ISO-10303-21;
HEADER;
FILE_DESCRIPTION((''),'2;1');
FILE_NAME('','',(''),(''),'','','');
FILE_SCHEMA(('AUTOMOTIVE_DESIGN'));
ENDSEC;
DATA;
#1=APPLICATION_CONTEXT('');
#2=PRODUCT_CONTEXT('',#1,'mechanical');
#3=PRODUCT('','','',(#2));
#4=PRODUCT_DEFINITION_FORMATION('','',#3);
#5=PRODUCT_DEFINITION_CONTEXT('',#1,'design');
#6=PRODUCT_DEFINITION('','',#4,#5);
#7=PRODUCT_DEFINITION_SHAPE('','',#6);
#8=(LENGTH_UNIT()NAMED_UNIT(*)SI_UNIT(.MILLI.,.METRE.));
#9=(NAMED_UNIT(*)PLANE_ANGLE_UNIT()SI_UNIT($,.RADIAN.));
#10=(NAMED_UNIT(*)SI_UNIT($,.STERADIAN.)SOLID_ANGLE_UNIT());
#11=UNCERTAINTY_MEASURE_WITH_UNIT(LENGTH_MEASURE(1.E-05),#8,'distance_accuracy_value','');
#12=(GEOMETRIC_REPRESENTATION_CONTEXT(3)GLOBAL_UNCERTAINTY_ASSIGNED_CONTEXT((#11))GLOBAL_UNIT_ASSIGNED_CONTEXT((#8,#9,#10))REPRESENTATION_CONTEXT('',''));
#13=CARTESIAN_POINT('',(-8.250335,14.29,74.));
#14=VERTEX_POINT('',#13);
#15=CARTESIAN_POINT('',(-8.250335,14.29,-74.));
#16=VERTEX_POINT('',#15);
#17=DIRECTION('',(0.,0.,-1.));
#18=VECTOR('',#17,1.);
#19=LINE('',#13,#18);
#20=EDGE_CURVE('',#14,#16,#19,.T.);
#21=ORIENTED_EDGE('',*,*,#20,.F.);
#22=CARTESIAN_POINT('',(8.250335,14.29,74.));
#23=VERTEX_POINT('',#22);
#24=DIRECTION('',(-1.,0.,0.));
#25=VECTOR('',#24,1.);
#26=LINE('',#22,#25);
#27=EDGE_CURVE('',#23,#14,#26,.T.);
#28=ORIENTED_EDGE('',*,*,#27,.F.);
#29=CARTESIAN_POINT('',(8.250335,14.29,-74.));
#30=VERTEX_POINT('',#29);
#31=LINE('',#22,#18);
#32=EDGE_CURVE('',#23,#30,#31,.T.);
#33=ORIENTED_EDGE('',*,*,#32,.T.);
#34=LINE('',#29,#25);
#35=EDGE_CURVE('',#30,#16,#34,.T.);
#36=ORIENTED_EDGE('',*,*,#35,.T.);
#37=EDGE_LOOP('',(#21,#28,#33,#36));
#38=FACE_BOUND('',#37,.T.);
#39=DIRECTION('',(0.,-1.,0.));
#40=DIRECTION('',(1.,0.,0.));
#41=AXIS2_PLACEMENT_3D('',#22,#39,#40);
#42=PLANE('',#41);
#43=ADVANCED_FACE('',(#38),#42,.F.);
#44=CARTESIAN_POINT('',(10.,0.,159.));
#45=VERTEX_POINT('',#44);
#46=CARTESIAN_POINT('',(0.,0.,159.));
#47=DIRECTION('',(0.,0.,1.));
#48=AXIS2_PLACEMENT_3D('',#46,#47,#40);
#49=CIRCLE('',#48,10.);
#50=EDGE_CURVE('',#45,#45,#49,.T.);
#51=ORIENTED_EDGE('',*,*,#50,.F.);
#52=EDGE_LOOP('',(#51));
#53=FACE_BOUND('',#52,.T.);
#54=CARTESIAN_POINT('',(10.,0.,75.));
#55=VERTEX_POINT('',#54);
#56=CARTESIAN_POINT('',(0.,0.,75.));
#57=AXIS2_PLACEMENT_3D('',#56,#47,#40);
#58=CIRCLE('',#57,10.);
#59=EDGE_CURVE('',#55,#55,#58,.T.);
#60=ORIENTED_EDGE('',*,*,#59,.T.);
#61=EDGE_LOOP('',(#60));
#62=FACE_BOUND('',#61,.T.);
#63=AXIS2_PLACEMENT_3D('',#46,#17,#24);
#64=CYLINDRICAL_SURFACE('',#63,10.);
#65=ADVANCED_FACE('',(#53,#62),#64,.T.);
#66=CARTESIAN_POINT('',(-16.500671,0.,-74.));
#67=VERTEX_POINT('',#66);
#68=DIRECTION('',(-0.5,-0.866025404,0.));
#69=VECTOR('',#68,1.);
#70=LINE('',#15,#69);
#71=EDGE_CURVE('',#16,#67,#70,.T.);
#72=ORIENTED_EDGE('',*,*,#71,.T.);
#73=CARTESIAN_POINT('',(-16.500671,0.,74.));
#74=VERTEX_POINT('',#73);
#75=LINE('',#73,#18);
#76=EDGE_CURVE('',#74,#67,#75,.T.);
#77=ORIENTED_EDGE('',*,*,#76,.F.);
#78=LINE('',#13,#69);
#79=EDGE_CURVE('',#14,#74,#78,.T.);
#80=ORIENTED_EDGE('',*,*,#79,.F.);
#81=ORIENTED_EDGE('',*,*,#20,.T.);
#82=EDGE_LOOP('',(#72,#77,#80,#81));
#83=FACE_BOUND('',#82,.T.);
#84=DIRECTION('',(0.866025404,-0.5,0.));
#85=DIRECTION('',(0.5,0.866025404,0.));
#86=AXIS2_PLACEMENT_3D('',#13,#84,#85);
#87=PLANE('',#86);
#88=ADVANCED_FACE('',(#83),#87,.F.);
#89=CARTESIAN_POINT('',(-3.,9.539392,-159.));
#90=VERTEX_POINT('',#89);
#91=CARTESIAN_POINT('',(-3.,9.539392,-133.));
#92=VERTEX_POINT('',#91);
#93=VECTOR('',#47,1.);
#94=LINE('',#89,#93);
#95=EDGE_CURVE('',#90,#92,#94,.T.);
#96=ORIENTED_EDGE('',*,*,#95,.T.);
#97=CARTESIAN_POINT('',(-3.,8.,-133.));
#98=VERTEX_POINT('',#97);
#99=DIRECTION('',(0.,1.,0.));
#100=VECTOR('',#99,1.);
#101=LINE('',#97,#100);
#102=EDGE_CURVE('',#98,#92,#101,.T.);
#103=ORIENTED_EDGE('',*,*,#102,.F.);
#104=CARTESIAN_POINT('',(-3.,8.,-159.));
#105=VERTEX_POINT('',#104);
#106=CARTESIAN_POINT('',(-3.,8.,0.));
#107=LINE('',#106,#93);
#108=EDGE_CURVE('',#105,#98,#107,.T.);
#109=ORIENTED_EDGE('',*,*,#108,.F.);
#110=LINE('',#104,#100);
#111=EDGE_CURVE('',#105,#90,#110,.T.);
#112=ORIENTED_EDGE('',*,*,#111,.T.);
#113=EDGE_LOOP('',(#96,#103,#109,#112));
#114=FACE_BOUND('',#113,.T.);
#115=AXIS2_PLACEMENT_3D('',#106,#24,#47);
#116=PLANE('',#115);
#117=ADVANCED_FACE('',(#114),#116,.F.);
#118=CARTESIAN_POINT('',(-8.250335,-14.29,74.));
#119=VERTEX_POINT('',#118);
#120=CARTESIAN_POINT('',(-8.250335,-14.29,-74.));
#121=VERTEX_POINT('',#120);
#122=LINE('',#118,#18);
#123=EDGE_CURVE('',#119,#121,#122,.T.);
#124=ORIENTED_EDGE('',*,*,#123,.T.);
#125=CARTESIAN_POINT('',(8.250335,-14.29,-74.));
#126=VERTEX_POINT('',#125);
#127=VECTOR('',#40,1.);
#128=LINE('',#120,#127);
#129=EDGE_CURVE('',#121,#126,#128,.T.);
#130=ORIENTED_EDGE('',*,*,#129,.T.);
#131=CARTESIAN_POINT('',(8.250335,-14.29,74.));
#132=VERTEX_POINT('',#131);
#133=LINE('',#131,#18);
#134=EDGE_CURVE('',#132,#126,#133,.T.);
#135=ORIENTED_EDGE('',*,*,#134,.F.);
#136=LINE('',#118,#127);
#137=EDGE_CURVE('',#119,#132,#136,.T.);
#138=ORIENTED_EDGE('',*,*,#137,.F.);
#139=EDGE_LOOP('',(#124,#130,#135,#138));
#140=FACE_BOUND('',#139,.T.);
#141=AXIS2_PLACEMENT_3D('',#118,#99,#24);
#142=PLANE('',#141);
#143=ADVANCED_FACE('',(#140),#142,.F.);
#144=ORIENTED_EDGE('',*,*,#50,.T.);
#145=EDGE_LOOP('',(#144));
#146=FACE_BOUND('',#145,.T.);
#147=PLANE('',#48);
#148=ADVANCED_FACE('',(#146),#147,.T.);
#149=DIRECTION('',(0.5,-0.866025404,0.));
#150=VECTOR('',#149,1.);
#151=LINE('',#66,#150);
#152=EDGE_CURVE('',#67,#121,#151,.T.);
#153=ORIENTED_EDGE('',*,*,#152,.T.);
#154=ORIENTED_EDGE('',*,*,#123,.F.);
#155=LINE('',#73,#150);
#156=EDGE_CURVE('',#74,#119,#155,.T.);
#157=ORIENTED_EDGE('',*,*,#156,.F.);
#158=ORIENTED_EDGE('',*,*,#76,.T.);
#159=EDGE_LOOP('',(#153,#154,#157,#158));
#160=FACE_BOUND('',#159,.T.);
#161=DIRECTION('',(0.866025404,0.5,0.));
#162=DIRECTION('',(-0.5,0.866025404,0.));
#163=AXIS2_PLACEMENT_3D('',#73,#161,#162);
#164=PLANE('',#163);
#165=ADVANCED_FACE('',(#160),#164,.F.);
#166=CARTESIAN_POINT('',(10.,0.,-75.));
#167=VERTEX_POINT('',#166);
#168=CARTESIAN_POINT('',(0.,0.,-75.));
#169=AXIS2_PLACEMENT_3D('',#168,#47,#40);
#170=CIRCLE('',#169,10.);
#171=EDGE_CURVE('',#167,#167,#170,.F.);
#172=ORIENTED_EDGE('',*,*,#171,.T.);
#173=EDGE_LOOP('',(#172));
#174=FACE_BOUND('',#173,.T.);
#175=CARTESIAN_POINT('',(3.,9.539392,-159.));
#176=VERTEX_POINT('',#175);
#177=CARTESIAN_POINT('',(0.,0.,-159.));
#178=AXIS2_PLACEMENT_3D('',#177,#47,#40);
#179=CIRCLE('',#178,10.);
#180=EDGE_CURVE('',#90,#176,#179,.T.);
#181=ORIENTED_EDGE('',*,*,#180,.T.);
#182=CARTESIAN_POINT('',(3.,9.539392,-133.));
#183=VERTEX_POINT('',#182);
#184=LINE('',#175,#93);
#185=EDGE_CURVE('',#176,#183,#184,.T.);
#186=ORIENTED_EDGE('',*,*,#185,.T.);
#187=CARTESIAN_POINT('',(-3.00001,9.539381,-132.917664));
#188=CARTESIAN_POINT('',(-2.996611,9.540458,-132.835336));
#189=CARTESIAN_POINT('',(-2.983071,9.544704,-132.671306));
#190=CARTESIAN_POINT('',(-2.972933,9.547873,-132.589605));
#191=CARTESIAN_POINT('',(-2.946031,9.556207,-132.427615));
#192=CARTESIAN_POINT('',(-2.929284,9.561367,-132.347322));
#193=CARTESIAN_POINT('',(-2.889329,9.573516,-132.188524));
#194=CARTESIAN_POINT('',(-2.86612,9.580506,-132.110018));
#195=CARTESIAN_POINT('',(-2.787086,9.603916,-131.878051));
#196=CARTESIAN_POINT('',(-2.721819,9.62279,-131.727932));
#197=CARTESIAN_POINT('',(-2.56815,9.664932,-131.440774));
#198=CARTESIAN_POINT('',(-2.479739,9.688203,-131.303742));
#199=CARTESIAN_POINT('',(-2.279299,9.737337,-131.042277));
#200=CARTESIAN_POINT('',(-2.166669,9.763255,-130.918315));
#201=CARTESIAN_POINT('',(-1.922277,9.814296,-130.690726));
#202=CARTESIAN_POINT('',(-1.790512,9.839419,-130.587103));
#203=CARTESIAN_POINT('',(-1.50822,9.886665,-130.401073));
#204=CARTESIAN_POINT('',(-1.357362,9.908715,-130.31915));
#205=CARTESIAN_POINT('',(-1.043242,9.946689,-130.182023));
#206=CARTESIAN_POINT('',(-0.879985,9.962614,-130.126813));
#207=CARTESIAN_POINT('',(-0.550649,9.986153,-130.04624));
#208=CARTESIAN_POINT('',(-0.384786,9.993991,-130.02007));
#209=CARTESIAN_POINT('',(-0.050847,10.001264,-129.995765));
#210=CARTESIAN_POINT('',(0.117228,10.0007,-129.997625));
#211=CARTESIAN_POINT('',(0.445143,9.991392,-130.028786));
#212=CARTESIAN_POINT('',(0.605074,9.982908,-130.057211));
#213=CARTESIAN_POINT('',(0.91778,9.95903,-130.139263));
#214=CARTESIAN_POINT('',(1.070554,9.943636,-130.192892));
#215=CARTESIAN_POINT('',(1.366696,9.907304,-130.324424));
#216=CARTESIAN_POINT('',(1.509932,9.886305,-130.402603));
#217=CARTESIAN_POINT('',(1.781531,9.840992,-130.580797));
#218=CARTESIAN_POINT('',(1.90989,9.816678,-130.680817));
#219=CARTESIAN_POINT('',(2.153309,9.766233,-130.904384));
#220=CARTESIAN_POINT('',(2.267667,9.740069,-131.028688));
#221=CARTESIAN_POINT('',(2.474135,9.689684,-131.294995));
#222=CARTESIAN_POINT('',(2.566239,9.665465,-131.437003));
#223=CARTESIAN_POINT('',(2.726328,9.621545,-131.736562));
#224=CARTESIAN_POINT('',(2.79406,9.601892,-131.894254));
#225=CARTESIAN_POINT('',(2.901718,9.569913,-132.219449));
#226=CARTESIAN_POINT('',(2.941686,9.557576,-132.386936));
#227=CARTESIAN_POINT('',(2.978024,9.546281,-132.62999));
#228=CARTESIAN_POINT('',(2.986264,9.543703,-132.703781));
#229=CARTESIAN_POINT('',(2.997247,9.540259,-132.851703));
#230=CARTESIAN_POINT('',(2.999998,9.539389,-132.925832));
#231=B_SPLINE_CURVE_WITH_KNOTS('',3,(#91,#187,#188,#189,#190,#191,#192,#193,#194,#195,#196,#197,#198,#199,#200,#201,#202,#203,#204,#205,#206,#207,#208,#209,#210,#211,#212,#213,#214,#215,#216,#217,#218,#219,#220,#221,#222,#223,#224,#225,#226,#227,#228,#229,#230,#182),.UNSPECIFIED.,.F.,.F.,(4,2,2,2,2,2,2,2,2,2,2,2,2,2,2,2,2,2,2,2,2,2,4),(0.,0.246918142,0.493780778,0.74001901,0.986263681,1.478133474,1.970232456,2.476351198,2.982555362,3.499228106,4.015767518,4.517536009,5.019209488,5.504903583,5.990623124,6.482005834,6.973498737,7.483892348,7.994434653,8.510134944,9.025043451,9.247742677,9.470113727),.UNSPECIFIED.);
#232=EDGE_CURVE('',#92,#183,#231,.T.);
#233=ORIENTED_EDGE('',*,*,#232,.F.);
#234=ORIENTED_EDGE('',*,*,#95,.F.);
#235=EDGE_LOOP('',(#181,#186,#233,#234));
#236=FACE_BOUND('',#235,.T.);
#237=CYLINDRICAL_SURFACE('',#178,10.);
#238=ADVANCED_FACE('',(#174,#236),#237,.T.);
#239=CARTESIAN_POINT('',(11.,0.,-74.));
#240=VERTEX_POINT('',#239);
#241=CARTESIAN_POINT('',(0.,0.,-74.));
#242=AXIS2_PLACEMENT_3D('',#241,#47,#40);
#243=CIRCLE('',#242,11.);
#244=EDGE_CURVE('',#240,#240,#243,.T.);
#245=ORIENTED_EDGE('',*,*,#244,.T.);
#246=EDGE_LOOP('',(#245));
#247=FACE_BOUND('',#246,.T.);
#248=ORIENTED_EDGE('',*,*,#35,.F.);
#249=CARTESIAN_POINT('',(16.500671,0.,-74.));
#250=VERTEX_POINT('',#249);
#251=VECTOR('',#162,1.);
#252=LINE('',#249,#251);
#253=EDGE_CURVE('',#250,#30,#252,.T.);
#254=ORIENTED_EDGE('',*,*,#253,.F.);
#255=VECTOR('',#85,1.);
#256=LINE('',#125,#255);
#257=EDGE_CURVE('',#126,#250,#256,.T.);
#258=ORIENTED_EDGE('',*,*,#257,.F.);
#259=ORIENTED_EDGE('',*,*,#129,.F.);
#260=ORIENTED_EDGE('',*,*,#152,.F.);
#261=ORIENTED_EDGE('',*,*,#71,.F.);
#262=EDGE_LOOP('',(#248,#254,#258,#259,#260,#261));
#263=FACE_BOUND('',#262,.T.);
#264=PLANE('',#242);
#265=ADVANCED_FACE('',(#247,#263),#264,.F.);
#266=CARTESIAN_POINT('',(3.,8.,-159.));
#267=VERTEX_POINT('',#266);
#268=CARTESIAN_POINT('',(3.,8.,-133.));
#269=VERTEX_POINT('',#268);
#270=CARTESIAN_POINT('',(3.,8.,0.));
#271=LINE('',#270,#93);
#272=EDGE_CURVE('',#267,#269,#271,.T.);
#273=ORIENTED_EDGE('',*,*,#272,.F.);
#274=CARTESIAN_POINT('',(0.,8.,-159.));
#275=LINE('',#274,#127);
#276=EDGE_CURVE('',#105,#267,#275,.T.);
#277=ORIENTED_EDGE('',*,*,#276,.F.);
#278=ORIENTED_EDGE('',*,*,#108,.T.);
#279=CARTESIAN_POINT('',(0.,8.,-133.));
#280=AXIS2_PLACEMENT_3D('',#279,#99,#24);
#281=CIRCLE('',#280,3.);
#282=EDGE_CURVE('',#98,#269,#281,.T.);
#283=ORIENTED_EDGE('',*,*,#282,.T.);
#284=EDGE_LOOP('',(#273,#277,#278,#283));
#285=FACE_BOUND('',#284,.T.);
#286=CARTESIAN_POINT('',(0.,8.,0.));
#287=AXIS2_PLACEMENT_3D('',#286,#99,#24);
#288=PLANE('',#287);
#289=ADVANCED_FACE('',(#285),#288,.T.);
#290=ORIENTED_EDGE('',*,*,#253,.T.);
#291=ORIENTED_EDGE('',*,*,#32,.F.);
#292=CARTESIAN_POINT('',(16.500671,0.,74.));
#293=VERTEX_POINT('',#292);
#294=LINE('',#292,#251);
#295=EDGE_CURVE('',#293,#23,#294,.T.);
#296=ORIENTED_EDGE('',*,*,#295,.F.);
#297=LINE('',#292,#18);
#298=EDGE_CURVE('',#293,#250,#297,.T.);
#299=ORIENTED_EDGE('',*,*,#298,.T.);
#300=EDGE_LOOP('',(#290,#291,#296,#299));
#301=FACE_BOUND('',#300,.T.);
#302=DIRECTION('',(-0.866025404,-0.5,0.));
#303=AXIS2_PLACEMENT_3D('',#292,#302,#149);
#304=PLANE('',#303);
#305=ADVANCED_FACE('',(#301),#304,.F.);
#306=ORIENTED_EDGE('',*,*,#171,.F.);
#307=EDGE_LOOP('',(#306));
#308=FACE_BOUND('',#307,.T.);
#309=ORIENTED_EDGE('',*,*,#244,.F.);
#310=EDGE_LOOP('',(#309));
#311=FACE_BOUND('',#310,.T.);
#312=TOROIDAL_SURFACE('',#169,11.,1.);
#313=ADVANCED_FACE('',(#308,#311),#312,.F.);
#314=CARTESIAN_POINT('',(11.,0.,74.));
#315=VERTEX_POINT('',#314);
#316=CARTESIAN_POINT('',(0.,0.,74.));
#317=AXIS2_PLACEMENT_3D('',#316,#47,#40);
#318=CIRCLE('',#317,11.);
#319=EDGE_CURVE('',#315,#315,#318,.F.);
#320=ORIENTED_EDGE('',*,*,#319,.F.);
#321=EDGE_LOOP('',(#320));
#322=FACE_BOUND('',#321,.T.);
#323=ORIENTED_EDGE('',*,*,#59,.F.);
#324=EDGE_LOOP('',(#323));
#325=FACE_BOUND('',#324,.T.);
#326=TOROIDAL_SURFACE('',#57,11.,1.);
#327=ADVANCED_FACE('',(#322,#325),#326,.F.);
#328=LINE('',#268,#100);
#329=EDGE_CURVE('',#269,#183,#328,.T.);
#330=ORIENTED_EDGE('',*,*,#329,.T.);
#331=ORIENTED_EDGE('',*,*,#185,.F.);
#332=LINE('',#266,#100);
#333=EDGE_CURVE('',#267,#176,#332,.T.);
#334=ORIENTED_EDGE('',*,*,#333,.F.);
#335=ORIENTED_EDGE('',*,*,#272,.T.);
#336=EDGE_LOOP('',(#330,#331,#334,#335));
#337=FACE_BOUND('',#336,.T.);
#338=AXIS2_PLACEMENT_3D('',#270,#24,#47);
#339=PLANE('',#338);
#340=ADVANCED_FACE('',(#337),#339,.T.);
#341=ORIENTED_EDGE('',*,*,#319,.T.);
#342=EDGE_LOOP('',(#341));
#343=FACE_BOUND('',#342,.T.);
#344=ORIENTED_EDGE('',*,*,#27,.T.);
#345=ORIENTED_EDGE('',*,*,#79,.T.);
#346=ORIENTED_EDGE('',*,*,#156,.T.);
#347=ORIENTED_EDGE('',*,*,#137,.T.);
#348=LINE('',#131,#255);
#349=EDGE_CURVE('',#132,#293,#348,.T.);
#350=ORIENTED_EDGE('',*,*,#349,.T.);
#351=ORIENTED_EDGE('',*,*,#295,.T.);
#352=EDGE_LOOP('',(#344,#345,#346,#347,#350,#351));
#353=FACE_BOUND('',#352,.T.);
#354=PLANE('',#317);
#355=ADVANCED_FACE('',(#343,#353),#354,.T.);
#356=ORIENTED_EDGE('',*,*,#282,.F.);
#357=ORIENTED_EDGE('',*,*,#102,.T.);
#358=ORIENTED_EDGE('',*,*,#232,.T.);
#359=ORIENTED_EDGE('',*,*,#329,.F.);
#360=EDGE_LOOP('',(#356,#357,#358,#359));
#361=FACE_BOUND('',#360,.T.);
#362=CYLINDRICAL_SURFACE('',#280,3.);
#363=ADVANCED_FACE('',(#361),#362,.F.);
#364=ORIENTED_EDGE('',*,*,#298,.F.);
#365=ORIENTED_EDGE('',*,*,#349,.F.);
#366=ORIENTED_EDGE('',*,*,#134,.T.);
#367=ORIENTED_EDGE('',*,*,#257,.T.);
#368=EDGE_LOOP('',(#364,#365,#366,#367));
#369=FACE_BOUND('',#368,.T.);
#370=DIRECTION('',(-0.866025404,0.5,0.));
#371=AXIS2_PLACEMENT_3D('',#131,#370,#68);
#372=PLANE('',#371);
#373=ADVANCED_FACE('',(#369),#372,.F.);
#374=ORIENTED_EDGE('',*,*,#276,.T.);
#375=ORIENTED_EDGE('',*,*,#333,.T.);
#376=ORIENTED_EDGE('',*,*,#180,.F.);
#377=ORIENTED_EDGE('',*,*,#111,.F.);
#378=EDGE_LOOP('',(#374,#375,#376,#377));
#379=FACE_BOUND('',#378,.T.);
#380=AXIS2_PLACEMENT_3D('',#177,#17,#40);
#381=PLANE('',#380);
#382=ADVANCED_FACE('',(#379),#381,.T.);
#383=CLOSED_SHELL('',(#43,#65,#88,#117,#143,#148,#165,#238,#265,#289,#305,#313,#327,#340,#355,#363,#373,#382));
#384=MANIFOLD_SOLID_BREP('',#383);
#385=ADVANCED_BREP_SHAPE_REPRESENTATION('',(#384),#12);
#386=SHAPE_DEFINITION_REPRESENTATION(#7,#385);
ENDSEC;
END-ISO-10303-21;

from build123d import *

# Parameters (mm, degrees)
BOSS_EXTRUDE1_DEPTH = 74
SKETCH2_R           = 10
BOSS_EXTRUDE2_DEPTH = 85
FILLET1_R           = 1
CUT_EXTRUDE1_DEPTH  = 2


with BuildPart() as part:
    # Sketch1 → Boss-Extrude1 (new, symmetric)
    with BuildSketch(Plane.XY):
        Polygon((16.500670693, 0), (8.250335347, 14.29), (-8.250335347, 14.29), (-16.500670693, 0), (-8.250335347, -14.29), (8.250335347, -14.29), align=None)
    extrude(amount=BOSS_EXTRUDE1_DEPTH, both=True)

    # Sketch2 → Boss-Extrude2 (add)
    with BuildSketch(Plane.XY.offset(74)):
        Circle(SKETCH2_R)
    boss_extrude2 = extrude(amount=BOSS_EXTRUDE2_DEPTH)

    # Mirror3: Boss-Extrude2 across plane
    add(boss_extrude2.mirror(Plane.XY))

    # Fillet1
    fillet1_edges = [part.edges().sort_by_distance(p)[0] for p in [
        (-10, 0, 74),
        (-10, 0, -74),
    ]]
    fillet(fillet1_edges, radius=FILLET1_R)

    # Sketch3 → Cut-Extrude1 (cut)
    with BuildSketch(Plane(origin=(0, 10, 0), x_dir=(1, 0, 0), z_dir=(0, 1, 0))):
        with BuildLine():
            Line((3, 133), (3, 159))
            Line((3, 159), (-3, 159))
            Line((-3, 159), (-3, 133))
            ThreePointArc((-3, 133), (0, 130), (3, 133))
        make_face()
    extrude(amount=-CUT_EXTRUDE1_DEPTH, mode=Mode.SUBTRACT)


solid = part.part
